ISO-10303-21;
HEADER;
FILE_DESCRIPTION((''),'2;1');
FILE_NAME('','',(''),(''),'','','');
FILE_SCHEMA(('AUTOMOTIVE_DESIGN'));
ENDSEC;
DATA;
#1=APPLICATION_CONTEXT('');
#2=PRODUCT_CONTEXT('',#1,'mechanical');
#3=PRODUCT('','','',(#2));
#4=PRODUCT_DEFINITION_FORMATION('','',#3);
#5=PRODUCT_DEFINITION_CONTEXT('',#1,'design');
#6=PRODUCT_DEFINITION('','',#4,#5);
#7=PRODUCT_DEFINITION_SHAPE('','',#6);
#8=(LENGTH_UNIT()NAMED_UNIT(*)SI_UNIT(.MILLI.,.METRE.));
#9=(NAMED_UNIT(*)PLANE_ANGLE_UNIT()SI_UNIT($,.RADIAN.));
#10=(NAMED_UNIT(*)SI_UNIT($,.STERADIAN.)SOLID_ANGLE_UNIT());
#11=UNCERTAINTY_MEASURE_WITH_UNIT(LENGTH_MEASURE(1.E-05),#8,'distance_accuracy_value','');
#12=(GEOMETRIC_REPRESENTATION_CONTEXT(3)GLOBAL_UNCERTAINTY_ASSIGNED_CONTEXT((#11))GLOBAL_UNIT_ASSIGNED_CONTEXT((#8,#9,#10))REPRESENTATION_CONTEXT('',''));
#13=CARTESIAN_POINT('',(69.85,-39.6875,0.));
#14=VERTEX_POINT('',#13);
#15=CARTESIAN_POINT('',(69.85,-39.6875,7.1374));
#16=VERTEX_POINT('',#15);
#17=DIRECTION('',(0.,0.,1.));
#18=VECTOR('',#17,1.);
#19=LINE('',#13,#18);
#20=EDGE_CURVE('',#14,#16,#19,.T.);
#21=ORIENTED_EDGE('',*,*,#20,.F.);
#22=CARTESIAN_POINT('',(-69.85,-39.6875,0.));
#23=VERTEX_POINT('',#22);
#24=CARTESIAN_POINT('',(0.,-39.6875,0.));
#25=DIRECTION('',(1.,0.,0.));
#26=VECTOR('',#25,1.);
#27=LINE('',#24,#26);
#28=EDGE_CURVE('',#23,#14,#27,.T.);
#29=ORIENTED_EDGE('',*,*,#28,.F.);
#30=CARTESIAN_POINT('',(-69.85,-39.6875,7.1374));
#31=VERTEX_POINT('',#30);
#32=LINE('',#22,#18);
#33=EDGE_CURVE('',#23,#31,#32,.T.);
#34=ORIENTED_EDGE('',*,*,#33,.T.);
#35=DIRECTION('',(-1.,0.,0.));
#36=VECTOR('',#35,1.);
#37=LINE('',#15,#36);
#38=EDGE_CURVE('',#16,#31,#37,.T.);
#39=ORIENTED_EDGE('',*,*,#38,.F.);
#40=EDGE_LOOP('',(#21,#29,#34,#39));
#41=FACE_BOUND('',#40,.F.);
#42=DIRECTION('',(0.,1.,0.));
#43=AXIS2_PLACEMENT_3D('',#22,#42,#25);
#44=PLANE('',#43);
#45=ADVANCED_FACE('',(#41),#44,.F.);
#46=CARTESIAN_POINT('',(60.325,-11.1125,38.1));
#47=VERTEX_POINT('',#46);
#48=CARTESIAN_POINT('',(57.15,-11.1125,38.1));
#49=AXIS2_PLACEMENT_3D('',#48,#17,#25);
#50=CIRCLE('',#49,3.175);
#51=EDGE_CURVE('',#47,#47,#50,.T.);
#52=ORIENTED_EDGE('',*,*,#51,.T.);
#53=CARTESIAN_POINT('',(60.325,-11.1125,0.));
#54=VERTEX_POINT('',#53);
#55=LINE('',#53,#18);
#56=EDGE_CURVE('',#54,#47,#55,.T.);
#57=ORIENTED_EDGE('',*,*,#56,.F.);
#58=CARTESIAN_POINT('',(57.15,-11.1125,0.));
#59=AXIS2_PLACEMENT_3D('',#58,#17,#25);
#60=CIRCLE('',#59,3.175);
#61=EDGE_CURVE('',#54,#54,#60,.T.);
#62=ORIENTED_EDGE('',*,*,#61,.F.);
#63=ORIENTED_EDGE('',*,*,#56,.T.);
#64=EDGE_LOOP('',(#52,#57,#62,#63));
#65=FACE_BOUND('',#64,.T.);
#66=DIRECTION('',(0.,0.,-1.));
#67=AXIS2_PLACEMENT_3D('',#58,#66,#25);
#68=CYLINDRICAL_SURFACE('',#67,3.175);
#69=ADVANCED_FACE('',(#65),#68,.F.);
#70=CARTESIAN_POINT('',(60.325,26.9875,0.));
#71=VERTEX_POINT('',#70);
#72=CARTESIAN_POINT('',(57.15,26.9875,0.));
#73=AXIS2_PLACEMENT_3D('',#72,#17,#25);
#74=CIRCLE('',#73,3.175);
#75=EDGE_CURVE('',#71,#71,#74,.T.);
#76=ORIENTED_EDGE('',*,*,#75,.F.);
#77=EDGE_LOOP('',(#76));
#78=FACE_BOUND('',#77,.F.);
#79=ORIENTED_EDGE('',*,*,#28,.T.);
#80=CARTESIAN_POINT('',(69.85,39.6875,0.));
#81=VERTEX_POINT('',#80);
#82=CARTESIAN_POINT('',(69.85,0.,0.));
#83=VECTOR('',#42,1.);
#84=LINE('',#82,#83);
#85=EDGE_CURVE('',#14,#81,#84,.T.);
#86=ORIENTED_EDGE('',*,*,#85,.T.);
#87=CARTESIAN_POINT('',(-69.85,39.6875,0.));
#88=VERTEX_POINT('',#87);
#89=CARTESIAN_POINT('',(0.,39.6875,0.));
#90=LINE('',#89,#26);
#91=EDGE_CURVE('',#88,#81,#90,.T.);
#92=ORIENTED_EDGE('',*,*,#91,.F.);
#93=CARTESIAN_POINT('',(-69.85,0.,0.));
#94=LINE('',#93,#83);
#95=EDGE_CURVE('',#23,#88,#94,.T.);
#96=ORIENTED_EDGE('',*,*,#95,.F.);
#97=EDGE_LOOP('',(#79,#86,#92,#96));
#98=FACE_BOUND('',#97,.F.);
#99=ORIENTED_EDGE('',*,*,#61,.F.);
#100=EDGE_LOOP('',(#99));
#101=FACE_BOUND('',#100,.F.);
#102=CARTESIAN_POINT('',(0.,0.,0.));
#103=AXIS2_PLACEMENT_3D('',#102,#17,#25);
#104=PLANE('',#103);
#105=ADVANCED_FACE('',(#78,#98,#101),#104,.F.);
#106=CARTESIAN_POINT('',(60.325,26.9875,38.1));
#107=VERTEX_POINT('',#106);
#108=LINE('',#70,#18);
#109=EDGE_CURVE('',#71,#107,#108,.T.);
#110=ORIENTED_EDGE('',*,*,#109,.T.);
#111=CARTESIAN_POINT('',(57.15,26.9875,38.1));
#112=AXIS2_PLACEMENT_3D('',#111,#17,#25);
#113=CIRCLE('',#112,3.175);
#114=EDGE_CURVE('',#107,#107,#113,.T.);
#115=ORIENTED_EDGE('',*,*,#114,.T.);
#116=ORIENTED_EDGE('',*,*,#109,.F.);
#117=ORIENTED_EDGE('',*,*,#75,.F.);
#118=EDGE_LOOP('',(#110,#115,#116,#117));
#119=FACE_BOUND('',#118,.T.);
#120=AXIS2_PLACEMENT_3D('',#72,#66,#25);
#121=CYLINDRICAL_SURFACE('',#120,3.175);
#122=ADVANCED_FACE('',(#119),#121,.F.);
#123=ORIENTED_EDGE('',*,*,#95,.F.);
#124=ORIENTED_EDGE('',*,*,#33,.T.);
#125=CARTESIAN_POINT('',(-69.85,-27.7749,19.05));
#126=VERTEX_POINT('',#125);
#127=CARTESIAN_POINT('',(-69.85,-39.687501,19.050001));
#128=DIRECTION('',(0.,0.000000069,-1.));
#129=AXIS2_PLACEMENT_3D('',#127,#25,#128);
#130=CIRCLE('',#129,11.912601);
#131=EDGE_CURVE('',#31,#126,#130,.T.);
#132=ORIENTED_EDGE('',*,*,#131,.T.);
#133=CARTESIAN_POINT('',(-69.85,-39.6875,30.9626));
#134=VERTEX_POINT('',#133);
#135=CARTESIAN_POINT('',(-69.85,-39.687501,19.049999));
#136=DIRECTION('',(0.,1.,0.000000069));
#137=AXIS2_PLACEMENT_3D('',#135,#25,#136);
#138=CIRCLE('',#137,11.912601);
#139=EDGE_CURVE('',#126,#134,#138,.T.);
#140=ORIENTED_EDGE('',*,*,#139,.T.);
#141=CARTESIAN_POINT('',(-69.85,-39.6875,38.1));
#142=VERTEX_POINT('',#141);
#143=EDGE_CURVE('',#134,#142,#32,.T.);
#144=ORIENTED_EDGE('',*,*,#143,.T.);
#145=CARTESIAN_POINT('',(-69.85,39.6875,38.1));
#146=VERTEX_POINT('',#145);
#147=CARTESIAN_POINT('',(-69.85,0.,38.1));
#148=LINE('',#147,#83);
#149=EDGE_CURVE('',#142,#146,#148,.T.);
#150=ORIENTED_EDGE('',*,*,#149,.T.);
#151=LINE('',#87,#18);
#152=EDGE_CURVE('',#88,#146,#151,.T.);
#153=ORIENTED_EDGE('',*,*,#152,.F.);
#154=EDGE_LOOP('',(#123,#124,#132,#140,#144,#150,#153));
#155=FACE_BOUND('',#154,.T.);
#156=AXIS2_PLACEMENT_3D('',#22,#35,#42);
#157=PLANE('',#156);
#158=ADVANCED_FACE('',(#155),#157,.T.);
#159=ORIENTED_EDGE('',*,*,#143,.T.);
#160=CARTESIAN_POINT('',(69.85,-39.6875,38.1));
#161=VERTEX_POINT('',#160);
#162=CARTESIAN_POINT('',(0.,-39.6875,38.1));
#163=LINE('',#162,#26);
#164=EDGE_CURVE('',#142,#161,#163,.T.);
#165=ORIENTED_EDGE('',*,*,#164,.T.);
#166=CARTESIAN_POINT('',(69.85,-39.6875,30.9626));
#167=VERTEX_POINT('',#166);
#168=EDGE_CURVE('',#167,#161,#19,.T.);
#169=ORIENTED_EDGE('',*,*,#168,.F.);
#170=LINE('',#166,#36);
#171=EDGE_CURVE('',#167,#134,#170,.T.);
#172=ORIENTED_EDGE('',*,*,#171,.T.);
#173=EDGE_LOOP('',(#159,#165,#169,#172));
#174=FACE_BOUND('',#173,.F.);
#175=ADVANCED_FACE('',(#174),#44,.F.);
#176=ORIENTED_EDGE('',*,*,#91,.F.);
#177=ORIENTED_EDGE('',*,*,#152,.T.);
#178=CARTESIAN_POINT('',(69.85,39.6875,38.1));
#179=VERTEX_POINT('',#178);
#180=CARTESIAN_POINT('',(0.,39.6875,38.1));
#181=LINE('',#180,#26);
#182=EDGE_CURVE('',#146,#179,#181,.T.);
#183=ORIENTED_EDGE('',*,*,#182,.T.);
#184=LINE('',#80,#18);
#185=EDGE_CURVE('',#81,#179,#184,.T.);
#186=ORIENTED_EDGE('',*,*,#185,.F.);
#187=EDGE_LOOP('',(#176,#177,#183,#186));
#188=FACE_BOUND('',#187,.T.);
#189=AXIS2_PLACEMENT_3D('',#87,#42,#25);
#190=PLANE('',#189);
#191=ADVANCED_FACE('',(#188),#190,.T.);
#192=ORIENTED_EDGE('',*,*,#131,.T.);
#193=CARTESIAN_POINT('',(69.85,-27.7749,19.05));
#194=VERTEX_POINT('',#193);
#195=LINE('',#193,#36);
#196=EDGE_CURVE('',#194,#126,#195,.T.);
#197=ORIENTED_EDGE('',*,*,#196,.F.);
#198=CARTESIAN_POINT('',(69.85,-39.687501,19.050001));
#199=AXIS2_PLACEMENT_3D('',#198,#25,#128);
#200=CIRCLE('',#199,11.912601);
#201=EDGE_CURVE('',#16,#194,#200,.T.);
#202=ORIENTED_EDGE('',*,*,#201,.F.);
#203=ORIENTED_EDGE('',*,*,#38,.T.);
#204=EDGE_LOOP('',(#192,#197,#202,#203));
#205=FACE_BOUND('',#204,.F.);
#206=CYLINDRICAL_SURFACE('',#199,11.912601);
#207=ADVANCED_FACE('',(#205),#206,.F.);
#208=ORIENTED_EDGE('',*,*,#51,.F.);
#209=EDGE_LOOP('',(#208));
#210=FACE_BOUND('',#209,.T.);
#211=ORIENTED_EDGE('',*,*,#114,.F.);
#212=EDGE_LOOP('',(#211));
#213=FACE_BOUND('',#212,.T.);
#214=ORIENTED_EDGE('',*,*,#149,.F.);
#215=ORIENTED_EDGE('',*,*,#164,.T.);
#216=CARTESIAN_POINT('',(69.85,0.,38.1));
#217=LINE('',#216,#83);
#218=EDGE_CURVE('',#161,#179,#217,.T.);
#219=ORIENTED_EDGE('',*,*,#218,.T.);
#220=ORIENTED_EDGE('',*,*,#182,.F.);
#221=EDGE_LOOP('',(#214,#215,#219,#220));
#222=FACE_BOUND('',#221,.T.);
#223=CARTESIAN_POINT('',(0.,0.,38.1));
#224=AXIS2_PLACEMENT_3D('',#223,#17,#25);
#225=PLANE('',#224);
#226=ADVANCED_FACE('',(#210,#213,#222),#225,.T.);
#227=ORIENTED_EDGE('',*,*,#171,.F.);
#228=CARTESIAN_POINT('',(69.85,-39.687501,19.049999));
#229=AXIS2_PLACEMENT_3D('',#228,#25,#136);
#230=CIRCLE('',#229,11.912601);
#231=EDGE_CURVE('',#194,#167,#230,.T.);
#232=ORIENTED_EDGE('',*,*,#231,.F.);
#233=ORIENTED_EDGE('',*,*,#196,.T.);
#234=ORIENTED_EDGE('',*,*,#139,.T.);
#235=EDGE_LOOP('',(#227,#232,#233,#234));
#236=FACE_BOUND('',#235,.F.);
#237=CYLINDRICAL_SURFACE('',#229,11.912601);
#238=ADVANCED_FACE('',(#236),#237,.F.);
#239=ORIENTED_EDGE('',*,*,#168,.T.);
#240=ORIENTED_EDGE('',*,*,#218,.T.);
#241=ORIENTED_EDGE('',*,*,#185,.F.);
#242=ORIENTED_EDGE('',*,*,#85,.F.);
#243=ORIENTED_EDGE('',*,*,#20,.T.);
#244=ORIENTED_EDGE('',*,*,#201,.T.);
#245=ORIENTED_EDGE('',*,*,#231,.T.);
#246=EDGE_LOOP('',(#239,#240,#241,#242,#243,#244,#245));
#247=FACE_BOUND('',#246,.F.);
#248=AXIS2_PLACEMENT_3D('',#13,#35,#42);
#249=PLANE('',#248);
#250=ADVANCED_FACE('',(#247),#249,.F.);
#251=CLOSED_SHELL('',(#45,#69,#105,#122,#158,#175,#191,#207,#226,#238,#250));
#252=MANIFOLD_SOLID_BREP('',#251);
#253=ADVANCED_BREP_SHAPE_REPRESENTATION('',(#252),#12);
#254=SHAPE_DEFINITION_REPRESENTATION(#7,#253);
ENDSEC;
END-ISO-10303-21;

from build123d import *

# Parameters (mm, degrees)
F0_W     = 139.7
F0_H     = 79.375
F0_R     = 3.175
F1_DEPTH = 38.1
F3_DEPTH = 139.701


with BuildPart() as f1:
    # F0 (on Top) → F1 (new body)
    with BuildSketch(Plane.XY):
        Rectangle(F0_W, F0_H)
        with Locations((57.15, -11.1125)):
            Circle(F0_R, mode=Mode.SUBTRACT)
        with Locations((57.15, 26.9875)):
            Circle(F0_R, mode=Mode.SUBTRACT)
    extrude(amount=F1_DEPTH)

    # F2 (on face) → F3 (cut, through all)
    with BuildSketch(Plane.YZ.offset(69.85)):
        with BuildLine():
            ThreePointArc((-39.6875, 7.1374), (-31.26402, 10.62652), (-27.7749, 19.05))
            ThreePointArc((-27.7749, 19.05), (-31.26402, 27.47348), (-39.6875, 30.9626))
            Line((-39.6875, 30.9626), (-39.6875, 7.1374))
        make_face()
    extrude(amount=-F3_DEPTH, mode=Mode.SUBTRACT)


solid = f1.part
